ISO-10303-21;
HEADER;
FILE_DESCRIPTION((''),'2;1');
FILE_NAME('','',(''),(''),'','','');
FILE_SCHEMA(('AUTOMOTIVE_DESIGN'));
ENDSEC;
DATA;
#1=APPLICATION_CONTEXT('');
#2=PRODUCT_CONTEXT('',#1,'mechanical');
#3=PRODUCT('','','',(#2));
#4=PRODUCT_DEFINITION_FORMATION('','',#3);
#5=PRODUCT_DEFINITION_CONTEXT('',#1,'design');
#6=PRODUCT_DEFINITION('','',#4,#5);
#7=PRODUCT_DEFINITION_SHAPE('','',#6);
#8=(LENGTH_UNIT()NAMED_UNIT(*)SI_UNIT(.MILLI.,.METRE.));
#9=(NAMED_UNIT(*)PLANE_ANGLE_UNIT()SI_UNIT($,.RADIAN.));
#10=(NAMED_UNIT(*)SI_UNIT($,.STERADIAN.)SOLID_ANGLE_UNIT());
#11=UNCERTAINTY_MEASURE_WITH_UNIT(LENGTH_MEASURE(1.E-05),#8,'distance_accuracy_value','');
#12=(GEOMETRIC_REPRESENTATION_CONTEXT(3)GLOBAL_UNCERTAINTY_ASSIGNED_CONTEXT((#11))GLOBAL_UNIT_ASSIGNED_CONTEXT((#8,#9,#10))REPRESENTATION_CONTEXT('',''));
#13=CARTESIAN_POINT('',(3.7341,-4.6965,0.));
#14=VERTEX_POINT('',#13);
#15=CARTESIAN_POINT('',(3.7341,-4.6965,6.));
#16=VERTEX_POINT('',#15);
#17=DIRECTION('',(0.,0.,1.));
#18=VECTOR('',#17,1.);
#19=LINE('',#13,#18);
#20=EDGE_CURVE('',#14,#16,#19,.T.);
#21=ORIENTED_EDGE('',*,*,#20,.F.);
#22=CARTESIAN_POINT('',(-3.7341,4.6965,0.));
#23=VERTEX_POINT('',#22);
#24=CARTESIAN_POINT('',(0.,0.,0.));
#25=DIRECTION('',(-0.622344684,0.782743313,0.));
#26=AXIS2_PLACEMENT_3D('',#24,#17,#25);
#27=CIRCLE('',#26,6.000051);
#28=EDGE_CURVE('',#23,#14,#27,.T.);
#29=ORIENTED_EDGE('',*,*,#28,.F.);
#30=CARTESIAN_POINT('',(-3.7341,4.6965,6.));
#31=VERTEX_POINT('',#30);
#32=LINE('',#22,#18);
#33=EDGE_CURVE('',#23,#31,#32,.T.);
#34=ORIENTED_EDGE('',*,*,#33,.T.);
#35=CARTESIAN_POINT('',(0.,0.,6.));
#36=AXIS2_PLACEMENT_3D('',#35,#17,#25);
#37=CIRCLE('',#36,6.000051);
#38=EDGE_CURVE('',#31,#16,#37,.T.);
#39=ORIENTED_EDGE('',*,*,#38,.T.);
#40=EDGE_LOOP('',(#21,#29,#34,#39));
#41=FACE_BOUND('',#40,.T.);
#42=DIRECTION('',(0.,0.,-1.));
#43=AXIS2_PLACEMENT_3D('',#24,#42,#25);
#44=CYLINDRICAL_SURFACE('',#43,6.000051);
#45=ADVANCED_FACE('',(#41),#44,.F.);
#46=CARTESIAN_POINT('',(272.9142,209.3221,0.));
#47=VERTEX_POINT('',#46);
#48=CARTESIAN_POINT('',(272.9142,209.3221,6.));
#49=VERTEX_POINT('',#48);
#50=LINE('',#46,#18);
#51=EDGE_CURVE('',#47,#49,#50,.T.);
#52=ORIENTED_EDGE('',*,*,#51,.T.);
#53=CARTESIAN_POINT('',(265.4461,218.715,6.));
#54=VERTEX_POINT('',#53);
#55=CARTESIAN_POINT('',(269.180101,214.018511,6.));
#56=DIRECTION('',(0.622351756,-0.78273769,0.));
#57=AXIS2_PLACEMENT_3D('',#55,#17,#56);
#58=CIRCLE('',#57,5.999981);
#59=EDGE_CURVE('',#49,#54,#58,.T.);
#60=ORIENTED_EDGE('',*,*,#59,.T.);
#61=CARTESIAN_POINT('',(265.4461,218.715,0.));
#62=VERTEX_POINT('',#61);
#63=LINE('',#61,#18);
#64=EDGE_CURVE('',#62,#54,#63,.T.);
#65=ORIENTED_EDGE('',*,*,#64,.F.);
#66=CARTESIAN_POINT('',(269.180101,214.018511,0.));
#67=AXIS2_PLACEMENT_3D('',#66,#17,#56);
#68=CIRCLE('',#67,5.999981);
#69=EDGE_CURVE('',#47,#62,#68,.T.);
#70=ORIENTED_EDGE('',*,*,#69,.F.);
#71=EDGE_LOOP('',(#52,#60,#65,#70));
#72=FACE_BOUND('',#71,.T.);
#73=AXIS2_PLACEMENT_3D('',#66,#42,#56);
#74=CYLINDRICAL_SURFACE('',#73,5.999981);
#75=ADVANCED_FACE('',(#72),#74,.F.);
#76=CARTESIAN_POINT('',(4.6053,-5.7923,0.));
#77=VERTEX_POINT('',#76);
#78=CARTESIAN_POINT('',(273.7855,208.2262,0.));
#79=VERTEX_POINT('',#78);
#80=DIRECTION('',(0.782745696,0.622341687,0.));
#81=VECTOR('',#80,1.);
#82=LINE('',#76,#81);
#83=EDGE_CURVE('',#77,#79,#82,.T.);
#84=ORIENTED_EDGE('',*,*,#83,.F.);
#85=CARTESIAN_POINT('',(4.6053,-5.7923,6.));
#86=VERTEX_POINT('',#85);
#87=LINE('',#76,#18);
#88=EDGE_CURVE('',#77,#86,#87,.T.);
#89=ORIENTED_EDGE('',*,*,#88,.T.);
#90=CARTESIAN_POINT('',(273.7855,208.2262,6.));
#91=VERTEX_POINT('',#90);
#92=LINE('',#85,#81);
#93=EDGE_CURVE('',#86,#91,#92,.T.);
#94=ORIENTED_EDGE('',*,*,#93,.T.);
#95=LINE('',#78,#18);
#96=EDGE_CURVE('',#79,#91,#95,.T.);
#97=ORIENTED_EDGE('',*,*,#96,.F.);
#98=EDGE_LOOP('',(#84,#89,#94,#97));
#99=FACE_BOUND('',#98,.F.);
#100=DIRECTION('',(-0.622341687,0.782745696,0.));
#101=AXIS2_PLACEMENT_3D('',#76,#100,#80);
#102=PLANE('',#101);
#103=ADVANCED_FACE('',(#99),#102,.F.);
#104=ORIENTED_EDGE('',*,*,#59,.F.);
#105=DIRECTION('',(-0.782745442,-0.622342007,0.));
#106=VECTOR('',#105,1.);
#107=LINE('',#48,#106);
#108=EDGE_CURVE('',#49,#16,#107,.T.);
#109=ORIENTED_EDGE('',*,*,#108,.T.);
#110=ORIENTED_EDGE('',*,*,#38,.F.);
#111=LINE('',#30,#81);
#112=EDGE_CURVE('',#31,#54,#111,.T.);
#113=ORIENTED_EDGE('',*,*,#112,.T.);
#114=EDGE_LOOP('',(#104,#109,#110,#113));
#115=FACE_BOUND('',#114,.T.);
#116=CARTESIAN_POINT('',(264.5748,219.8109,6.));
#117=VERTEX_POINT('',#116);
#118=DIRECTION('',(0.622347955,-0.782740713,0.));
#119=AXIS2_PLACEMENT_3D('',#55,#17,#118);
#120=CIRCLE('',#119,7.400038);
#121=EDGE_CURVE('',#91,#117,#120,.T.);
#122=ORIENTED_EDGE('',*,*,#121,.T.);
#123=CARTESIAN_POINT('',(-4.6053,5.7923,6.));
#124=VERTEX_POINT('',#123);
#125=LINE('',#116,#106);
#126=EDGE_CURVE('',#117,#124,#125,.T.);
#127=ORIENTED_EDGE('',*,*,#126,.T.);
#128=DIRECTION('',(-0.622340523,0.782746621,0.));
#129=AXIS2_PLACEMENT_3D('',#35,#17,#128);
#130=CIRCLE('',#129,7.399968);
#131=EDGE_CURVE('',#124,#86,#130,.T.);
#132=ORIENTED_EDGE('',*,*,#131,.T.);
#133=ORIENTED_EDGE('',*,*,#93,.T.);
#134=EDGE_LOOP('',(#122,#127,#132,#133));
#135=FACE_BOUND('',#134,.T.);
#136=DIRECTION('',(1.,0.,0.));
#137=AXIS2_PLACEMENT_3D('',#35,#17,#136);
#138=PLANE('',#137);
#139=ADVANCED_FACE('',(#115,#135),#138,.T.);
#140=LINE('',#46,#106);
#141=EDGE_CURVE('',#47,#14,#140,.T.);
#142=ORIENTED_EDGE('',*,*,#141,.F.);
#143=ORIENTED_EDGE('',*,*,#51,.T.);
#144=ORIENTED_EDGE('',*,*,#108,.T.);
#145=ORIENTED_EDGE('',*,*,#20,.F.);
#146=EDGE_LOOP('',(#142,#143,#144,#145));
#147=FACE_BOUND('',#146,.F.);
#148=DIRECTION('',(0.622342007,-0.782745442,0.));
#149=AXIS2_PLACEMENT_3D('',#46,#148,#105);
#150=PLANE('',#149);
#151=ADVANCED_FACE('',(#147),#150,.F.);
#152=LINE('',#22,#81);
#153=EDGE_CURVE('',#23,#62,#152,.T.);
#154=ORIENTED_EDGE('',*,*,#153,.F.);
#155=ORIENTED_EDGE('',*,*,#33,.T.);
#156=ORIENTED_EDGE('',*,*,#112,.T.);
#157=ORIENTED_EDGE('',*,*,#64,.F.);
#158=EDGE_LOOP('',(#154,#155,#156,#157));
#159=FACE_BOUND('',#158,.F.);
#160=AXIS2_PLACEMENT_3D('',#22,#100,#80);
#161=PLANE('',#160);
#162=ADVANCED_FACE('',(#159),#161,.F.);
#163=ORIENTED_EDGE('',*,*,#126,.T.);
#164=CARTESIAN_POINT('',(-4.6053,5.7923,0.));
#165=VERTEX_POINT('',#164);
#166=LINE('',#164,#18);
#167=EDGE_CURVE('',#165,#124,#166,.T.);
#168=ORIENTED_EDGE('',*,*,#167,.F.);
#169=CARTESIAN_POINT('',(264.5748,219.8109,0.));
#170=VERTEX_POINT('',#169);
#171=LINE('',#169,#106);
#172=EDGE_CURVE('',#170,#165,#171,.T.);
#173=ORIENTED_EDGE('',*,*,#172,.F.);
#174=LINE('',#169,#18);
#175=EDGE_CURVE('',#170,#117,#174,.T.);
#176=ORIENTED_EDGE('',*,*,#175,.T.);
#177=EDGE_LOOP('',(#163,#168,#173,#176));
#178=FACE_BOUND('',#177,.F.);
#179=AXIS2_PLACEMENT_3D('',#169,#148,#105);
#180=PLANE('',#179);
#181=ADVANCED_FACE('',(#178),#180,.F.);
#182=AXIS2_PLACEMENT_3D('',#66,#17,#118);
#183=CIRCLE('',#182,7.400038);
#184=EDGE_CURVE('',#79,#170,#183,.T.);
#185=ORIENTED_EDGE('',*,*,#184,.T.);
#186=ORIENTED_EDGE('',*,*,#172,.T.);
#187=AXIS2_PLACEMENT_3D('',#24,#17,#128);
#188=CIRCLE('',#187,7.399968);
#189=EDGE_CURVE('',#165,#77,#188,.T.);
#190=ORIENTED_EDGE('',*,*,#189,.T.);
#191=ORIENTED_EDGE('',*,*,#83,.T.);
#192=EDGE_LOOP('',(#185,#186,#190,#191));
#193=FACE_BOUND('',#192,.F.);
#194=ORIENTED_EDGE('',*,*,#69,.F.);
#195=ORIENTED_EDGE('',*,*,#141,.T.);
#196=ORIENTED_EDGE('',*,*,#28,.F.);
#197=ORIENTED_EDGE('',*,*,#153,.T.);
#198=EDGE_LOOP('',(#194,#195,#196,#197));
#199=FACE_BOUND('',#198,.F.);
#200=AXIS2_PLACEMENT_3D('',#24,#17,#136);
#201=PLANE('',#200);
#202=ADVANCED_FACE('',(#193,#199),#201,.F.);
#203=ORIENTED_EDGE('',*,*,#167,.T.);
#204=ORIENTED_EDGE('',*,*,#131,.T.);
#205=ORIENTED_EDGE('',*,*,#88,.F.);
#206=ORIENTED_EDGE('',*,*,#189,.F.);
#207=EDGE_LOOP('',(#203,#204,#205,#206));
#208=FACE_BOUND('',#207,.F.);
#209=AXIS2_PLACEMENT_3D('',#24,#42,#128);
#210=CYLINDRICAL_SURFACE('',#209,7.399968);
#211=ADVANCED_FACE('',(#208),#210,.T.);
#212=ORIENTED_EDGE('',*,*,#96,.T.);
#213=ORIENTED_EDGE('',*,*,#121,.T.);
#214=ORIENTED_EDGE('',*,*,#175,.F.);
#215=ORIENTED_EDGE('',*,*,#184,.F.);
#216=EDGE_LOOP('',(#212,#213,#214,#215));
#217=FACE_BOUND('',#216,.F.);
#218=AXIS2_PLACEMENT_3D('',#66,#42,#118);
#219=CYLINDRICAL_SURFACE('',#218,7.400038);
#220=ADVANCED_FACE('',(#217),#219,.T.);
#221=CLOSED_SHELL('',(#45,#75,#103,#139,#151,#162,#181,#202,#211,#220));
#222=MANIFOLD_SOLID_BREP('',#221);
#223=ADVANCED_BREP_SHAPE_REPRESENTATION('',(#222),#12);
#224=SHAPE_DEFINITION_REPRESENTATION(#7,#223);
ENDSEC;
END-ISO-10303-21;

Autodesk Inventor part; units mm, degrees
ref_plane "YZ Plane" through (0, 0, 0) normal (1, 0, 0) x (0, 1, 0)
ref_plane "XZ Plane" through (0, 0, 0) normal (0, 1, 0) x (-1, 0, 0)
ref_plane "XY Plane" through (0, 0, 0) normal (0, 0, 1) x (1, 0, 0)
sketch "Эскиз1" plane through (0, 0, 0) normal (0, 0, 1) x (1, 0, 0)
  arc A0 (-3.7341, 4.6965) -> (3.7341, -4.6965) centre (0, 0) ccw
  arc A1 (-4.6053, 5.7923) -> (4.6053, -5.7923) centre (0, 0) ccw
  circle A2 centre (269.1802, 214.0185) radius 8.8 construction
  arc A3 (272.9142, 209.3221) -> (265.4461, 218.715) centre (269.1802, 214.0185) ccw
  arc A4 (273.7855, 208.2262) -> (264.5748, 219.8109) centre (269.1802, 214.0185) ccw
  line L0 (264.5748, 219.8109) -> (-4.6053, 5.7923)
  line L1 (-3.7341, 4.6965) -> (265.4461, 218.715)
  line L2 (272.9142, 209.3221) -> (3.7341, -4.6965)
  line L3 (4.6053, -5.7923) -> (273.7855, 208.2262)
  dimension "d0" = 12
  dimension "d1" = 1.4
  dimension "d2" = 12
  dimension "d3" = 1.4
extrude "Выдавливание1" add sketch "Эскиз1" along normal blind 6
properties part number "ремень оси x"
